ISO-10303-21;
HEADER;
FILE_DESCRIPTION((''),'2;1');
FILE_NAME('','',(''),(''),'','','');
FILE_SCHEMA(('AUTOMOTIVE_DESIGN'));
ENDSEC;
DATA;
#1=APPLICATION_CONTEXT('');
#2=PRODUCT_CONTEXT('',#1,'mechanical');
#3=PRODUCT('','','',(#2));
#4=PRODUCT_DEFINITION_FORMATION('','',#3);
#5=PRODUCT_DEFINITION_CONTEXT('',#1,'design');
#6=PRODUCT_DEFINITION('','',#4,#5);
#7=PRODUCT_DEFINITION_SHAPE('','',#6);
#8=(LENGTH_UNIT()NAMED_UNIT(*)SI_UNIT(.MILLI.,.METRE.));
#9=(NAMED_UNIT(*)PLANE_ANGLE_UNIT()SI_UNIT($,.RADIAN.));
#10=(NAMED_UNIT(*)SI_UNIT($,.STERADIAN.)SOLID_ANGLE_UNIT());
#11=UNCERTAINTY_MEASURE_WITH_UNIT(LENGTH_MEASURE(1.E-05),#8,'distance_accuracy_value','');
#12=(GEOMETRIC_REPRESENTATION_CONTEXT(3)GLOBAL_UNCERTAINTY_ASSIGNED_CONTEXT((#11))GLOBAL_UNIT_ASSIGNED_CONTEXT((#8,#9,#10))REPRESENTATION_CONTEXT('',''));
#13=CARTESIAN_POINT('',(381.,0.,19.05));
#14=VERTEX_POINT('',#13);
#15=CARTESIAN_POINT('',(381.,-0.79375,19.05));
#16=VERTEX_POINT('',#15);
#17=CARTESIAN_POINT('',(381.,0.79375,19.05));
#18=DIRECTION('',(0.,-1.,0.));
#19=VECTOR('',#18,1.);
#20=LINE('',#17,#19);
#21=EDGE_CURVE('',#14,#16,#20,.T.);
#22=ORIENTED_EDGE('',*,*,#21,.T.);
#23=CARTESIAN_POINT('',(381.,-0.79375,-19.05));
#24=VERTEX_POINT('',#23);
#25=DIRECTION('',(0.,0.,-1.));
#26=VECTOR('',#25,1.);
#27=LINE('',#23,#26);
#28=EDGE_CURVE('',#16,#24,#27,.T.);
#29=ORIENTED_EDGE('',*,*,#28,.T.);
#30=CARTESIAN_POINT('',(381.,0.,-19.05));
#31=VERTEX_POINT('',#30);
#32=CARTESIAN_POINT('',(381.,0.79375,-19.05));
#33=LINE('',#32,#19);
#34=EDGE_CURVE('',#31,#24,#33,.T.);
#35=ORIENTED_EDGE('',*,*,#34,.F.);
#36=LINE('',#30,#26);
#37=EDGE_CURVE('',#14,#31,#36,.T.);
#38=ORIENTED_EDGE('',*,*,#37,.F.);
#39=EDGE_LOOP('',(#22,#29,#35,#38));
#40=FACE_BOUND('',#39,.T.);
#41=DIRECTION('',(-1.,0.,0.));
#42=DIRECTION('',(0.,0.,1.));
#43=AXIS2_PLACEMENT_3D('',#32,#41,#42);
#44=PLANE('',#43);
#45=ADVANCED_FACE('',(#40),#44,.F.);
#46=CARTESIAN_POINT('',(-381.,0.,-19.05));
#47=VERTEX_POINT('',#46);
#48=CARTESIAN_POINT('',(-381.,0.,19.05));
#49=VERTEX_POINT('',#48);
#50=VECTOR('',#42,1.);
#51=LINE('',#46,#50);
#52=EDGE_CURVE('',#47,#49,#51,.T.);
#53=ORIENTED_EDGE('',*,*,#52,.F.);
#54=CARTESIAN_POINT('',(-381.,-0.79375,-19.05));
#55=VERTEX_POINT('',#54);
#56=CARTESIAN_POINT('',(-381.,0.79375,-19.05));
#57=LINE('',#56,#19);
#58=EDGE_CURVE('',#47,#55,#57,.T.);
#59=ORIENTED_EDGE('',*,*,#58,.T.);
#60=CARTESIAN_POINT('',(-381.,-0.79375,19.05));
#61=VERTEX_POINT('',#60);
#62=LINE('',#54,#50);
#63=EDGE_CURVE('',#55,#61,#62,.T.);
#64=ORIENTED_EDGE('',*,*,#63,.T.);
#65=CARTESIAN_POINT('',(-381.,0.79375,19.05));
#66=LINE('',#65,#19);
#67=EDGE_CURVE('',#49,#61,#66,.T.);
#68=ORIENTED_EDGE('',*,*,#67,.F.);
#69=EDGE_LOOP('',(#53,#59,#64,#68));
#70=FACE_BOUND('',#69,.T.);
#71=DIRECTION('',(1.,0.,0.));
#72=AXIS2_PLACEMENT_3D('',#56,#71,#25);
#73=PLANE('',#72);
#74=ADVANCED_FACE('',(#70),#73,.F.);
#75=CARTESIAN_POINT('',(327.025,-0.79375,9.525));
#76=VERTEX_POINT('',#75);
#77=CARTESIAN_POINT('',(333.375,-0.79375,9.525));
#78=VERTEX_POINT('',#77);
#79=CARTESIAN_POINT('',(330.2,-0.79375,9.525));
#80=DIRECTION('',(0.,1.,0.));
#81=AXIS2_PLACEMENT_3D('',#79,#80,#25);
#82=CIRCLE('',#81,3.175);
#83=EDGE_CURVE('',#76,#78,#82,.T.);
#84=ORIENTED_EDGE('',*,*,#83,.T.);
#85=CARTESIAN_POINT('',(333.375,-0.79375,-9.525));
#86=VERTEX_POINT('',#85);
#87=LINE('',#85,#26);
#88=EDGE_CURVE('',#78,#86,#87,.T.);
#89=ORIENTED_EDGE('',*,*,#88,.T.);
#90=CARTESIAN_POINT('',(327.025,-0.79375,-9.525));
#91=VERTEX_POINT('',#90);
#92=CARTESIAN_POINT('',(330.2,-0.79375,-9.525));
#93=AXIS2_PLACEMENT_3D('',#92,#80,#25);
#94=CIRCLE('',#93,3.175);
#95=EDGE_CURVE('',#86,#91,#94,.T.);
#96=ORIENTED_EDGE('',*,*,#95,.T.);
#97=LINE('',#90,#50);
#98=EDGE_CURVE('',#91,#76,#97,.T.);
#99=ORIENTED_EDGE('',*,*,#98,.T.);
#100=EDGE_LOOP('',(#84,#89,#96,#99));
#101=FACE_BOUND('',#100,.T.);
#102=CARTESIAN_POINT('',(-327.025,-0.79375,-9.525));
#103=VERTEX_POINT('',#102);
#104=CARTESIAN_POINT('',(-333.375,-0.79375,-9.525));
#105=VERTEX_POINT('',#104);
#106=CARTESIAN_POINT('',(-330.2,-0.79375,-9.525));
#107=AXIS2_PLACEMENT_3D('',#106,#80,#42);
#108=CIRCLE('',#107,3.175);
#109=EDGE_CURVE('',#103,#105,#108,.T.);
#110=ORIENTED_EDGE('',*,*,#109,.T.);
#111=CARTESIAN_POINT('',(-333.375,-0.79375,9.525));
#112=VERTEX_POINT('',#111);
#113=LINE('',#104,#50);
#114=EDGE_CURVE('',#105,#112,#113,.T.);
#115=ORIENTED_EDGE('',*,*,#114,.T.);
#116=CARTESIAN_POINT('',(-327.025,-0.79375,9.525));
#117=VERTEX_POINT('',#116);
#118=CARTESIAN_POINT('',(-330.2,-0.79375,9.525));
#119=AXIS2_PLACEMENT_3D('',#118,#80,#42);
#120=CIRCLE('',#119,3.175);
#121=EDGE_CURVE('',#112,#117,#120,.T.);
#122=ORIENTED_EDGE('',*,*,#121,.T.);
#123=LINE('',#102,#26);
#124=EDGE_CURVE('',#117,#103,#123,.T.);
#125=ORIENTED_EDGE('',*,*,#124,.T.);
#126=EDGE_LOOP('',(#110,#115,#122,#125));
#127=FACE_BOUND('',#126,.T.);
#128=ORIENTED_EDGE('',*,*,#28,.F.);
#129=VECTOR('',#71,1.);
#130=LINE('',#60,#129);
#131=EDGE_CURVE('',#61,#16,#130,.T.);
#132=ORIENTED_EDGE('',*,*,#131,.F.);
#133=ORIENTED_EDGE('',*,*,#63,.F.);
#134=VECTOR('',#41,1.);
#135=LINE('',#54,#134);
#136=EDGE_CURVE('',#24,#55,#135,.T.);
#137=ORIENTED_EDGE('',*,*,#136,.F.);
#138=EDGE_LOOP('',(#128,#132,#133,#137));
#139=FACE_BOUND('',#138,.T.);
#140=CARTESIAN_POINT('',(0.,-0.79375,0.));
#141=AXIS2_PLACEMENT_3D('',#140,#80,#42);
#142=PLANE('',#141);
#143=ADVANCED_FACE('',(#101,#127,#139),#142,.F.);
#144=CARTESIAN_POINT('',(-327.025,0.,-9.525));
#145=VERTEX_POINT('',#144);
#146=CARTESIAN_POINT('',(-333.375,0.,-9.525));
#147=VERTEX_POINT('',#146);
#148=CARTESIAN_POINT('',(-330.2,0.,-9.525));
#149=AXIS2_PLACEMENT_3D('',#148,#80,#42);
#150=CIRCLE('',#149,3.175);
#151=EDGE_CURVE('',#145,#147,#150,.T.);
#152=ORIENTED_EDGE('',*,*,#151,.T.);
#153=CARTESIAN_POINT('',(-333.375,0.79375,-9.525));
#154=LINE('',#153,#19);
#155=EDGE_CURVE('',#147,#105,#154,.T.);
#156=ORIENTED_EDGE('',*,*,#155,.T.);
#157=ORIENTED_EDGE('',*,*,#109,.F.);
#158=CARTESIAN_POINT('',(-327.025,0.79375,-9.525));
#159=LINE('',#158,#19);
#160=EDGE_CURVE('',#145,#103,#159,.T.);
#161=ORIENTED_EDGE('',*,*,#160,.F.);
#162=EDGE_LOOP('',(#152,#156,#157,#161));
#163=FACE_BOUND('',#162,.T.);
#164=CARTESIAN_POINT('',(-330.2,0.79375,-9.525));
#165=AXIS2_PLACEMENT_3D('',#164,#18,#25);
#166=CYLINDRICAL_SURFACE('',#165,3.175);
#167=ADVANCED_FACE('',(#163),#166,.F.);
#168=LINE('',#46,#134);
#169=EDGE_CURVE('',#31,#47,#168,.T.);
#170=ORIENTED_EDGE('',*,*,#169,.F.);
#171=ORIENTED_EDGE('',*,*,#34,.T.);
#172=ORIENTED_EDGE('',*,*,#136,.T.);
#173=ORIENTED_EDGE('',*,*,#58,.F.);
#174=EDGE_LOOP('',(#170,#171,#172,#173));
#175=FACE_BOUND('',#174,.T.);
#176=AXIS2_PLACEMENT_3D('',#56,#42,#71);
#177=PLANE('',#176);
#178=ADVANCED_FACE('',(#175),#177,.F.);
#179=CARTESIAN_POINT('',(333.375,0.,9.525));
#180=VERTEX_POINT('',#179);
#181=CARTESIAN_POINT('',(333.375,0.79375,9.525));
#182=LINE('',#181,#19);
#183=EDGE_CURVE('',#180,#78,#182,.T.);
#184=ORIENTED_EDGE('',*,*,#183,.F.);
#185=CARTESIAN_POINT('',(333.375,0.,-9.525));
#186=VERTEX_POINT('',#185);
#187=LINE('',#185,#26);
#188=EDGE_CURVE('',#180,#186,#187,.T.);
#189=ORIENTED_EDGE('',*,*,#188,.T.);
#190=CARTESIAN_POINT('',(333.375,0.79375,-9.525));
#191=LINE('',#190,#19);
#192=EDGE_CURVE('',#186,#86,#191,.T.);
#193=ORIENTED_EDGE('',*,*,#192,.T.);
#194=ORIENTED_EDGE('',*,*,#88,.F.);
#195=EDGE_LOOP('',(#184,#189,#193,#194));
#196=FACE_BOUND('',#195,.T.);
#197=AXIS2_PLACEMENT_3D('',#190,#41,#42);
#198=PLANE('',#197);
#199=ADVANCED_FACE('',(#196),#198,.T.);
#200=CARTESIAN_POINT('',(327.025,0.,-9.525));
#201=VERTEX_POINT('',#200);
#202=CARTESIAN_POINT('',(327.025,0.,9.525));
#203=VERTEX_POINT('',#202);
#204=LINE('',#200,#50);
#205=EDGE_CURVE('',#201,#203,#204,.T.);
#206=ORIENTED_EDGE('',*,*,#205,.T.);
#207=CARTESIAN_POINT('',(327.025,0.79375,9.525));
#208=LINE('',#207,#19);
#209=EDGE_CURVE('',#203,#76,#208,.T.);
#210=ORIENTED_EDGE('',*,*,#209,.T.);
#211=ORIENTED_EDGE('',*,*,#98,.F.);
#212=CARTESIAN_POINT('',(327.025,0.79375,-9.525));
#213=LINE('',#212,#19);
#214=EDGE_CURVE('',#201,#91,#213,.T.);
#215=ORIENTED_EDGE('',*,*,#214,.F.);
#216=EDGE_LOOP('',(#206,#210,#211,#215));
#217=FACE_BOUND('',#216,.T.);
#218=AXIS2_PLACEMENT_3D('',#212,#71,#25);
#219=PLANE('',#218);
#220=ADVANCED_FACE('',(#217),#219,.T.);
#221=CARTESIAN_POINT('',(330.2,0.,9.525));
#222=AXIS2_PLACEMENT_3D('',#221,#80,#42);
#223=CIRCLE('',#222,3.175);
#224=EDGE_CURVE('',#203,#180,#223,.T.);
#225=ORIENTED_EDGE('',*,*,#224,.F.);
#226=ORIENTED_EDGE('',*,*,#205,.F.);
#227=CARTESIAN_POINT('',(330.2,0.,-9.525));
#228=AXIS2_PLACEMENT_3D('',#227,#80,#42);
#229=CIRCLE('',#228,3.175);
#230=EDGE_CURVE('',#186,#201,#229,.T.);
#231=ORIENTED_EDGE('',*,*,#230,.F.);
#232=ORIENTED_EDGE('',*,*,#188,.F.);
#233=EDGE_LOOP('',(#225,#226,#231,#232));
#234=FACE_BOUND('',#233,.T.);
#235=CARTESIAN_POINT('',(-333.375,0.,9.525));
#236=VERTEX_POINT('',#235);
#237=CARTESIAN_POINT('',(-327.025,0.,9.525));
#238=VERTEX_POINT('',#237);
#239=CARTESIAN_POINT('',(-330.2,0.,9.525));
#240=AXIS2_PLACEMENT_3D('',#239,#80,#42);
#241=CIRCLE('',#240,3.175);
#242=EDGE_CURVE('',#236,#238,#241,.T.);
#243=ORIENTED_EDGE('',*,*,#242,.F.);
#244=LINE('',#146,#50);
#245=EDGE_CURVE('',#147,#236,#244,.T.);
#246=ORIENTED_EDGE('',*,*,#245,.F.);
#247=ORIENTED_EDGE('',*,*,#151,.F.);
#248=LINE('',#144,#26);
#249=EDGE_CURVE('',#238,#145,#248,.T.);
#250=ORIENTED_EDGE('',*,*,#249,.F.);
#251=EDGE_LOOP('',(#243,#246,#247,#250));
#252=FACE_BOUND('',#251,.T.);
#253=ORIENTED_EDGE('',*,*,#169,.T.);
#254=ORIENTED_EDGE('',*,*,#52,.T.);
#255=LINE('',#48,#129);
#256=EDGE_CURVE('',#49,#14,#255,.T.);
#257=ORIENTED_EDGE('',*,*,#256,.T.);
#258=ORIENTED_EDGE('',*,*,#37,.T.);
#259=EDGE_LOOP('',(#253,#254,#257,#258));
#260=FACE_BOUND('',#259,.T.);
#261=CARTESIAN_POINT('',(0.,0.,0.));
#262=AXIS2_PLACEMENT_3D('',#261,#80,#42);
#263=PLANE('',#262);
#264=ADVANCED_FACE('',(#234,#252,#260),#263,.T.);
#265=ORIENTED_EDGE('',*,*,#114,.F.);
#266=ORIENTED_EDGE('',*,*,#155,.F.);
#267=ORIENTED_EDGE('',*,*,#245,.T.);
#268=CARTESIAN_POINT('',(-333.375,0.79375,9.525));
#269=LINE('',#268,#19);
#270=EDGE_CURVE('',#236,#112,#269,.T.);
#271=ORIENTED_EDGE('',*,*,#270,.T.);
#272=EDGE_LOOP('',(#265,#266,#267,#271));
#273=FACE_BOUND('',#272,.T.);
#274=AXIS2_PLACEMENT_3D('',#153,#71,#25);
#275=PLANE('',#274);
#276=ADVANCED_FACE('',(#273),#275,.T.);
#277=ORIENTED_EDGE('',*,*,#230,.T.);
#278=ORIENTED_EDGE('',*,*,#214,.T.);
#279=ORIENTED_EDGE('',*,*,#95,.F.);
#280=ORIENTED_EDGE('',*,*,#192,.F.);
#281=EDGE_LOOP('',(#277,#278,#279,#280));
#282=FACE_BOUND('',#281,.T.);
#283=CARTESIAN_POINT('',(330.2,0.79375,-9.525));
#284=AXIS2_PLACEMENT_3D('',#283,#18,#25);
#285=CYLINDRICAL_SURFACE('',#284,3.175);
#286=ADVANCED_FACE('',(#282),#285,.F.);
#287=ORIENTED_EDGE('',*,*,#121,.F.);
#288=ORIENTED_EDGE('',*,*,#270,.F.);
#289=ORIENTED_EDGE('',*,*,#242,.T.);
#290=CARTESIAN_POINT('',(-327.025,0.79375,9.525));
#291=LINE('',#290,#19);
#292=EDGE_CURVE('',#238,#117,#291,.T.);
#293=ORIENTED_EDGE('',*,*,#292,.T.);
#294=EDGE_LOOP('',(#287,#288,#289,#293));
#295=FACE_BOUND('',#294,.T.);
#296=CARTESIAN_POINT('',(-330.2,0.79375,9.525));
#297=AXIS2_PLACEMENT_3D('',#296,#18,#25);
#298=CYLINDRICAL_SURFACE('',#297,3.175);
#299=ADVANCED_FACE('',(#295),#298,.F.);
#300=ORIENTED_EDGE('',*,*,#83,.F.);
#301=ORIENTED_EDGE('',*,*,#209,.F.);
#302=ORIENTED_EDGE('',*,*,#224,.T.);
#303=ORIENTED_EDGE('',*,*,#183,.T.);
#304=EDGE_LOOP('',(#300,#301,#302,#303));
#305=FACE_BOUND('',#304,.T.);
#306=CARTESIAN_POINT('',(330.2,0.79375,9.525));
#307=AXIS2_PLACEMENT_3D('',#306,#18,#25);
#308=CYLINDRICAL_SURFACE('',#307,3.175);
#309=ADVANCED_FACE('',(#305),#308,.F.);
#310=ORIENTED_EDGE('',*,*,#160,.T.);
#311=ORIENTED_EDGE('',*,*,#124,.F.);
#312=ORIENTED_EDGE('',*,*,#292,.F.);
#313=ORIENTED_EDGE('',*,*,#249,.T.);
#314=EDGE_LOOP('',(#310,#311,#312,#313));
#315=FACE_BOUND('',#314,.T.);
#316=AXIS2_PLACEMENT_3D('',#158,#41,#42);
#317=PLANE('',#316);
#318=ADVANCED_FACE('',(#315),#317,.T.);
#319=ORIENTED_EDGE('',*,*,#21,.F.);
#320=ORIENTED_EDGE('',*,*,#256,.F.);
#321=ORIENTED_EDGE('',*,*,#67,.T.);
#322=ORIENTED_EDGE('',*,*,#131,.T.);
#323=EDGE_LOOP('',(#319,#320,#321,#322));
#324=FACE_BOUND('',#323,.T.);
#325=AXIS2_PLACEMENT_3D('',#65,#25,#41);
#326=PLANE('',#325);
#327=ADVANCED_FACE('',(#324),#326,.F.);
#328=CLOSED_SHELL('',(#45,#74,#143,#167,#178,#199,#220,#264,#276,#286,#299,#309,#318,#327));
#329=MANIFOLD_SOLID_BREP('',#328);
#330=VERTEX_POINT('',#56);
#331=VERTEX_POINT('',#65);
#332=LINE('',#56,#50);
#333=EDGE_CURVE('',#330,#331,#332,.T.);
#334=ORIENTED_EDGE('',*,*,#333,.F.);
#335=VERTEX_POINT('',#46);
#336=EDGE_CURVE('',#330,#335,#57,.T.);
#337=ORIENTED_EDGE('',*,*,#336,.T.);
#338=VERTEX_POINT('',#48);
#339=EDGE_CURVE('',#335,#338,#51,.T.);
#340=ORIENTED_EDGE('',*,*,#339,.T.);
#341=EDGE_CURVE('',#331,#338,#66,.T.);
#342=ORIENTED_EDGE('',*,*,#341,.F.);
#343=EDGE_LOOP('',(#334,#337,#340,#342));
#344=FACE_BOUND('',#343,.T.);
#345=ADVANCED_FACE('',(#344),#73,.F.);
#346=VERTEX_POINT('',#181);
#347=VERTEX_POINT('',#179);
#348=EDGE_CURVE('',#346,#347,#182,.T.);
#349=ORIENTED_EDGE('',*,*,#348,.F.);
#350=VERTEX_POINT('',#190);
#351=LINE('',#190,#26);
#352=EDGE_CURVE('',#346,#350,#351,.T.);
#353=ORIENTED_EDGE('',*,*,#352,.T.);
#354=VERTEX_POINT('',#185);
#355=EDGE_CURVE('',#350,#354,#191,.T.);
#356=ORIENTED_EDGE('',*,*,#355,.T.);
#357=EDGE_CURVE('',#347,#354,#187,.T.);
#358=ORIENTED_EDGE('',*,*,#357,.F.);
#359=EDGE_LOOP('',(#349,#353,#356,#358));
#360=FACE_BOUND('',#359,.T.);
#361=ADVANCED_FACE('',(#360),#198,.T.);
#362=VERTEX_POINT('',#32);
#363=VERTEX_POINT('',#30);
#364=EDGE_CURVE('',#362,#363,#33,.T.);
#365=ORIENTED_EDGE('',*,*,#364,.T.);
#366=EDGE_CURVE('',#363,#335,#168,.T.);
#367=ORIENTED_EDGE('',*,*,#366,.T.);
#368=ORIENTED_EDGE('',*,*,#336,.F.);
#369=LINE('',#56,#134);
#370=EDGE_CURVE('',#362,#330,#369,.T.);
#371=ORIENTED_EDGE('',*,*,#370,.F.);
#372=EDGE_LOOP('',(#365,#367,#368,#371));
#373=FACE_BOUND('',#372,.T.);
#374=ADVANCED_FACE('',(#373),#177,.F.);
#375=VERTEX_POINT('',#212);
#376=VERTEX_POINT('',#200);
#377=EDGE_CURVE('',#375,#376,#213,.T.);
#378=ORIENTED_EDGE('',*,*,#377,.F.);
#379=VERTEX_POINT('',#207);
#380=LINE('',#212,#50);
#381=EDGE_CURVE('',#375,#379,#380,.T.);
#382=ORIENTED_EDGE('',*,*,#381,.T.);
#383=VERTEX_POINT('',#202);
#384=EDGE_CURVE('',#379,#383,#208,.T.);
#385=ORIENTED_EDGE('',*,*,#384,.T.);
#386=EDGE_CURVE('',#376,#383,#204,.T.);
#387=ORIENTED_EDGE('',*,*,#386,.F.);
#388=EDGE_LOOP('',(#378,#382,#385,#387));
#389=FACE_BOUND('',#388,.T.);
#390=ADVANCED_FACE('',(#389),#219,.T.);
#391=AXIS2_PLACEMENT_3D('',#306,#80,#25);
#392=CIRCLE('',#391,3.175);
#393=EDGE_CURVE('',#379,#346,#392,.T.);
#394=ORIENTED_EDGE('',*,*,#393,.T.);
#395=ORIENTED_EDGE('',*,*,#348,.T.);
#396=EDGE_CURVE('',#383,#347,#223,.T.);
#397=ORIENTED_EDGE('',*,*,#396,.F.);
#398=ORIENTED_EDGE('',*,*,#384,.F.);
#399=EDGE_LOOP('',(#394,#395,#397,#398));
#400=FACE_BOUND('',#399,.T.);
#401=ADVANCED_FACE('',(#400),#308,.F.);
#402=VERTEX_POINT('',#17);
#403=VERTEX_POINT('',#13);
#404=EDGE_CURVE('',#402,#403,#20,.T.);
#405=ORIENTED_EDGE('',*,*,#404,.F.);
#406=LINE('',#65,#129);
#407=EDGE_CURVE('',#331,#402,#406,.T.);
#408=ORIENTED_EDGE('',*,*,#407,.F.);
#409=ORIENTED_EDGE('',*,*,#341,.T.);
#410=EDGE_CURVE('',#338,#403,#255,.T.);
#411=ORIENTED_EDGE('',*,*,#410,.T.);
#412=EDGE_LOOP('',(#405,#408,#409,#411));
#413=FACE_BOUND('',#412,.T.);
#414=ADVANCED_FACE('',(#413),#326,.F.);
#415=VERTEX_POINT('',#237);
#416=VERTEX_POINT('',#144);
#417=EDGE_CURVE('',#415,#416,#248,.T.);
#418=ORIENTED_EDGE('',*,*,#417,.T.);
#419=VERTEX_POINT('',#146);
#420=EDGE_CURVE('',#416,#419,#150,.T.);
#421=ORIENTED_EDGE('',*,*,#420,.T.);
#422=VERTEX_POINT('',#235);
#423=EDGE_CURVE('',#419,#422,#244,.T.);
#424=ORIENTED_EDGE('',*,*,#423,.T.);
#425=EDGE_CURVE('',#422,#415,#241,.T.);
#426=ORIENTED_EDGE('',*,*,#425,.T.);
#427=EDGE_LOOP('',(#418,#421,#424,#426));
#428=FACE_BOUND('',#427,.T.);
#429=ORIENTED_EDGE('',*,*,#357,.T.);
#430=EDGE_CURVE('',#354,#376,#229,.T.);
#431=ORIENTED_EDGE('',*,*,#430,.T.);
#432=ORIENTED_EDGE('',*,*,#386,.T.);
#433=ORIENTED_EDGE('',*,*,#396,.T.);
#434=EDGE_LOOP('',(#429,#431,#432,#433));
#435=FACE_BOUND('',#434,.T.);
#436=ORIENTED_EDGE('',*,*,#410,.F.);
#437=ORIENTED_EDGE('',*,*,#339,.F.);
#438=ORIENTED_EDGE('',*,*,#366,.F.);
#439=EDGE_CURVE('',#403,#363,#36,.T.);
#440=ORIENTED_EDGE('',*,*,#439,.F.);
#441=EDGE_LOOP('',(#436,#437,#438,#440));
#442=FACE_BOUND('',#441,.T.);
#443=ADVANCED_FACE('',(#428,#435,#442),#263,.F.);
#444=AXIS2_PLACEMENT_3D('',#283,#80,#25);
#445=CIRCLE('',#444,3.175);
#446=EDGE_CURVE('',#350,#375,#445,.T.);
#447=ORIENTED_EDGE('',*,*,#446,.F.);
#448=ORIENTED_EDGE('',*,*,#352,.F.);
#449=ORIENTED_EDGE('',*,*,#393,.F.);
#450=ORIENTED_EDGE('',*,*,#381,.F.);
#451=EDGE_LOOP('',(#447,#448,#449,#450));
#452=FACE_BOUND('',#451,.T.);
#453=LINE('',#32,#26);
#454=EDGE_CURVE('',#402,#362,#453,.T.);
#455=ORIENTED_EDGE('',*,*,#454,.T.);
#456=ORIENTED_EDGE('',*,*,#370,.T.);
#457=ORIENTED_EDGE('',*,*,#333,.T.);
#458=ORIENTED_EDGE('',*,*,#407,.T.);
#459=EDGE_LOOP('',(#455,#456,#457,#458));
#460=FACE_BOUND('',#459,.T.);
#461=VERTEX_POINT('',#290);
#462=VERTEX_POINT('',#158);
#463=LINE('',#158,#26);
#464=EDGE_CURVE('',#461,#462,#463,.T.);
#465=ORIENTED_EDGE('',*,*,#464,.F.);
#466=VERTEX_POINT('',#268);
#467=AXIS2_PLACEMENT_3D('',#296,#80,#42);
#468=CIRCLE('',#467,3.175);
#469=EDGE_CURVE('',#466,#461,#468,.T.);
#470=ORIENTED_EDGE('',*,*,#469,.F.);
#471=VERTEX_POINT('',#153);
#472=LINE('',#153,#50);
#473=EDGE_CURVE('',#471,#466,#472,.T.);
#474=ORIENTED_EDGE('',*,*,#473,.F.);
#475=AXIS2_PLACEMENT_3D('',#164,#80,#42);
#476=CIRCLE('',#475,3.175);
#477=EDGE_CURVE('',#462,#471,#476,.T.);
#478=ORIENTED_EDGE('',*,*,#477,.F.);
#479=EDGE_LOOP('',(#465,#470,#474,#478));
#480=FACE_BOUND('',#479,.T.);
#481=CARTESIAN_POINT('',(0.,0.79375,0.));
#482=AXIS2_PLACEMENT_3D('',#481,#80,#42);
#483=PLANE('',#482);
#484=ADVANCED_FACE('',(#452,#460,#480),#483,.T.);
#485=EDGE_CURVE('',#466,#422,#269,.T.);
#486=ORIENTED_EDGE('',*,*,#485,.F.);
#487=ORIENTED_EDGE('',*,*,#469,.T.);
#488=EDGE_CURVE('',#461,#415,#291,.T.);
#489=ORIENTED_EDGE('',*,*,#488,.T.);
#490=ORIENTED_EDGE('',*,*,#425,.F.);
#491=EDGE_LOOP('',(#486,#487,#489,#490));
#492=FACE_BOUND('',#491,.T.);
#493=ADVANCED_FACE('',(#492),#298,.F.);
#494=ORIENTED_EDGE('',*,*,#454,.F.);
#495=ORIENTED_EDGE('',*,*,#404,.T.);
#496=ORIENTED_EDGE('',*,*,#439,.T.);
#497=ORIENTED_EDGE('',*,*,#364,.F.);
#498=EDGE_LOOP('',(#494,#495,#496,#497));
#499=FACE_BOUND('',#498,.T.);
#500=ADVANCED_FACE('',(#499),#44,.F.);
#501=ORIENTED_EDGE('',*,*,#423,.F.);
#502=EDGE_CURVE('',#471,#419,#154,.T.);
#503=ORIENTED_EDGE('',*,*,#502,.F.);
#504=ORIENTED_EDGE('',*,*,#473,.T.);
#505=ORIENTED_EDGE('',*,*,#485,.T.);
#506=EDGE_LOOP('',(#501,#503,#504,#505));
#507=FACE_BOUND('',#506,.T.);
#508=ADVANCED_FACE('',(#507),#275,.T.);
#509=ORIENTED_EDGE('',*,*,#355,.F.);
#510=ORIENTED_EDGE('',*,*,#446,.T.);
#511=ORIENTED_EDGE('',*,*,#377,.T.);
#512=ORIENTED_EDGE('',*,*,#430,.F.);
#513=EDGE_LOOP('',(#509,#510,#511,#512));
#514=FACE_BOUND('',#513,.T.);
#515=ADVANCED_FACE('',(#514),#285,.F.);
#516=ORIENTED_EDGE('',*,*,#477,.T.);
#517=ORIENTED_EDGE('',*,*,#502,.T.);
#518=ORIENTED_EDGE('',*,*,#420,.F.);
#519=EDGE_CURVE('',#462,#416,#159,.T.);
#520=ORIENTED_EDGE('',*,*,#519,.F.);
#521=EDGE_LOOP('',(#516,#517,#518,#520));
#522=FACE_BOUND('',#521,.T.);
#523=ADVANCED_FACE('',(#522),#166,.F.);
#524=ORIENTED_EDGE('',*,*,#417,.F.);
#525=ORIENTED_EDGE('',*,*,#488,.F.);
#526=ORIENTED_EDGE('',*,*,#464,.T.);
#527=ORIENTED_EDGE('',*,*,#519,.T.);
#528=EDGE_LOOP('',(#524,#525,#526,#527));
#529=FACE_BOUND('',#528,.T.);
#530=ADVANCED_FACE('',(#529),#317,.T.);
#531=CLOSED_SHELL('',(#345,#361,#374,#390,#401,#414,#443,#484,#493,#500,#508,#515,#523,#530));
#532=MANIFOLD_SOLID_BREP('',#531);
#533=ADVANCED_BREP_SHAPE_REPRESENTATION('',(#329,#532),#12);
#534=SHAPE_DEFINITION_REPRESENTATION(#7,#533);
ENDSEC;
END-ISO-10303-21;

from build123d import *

# Parameters (mm, degrees)
SKETCH1_W           = 762
SKETCH1_H           = 38.1
BOSS_EXTRUDE1_DEPTH = 0.79375


with BuildPart() as part:
    # Sketch1 → Boss-Extrude1 (new body, symmetric)
    with BuildSketch(Plane(origin=(0, 0, 0), x_dir=(1, 0, 0), z_dir=(0, 1, 0))):
        Rectangle(SKETCH1_W, SKETCH1_H)
        with BuildLine():
            Line((-327.025, 9.525), (-327.025, -9.525))
            ThreePointArc((-327.025, -9.525), (-330.2, -12.7), (-333.375, -9.525))
            Line((-333.375, -9.525), (-333.375, 9.525))
            ThreePointArc((-333.375, 9.525), (-330.2, 12.7), (-327.025, 9.525))
        make_face(mode=Mode.SUBTRACT)
        with BuildLine():
            Line((327.025, 9.525), (327.025, -9.525))
            ThreePointArc((327.025, -9.525), (330.2, -12.7), (333.375, -9.525))
            Line((333.375, -9.525), (333.375, 9.525))
            ThreePointArc((333.375, 9.525), (330.2, 12.7), (327.025, 9.525))
        make_face(mode=Mode.SUBTRACT)
    extrude(amount=BOSS_EXTRUDE1_DEPTH, both=True)


with BuildPart() as body_2:
    # Split1: the piece on the far side of the plane
    add(part.part)
    split(bisect_by=Plane.ZX, keep=Keep.BOTTOM)


with BuildPart() as part_1:
    add(part.part)

    # Split1
    split(bisect_by=Plane.ZX, keep=Keep.TOP)


solid = Compound([body_2.part, part_1.part])
